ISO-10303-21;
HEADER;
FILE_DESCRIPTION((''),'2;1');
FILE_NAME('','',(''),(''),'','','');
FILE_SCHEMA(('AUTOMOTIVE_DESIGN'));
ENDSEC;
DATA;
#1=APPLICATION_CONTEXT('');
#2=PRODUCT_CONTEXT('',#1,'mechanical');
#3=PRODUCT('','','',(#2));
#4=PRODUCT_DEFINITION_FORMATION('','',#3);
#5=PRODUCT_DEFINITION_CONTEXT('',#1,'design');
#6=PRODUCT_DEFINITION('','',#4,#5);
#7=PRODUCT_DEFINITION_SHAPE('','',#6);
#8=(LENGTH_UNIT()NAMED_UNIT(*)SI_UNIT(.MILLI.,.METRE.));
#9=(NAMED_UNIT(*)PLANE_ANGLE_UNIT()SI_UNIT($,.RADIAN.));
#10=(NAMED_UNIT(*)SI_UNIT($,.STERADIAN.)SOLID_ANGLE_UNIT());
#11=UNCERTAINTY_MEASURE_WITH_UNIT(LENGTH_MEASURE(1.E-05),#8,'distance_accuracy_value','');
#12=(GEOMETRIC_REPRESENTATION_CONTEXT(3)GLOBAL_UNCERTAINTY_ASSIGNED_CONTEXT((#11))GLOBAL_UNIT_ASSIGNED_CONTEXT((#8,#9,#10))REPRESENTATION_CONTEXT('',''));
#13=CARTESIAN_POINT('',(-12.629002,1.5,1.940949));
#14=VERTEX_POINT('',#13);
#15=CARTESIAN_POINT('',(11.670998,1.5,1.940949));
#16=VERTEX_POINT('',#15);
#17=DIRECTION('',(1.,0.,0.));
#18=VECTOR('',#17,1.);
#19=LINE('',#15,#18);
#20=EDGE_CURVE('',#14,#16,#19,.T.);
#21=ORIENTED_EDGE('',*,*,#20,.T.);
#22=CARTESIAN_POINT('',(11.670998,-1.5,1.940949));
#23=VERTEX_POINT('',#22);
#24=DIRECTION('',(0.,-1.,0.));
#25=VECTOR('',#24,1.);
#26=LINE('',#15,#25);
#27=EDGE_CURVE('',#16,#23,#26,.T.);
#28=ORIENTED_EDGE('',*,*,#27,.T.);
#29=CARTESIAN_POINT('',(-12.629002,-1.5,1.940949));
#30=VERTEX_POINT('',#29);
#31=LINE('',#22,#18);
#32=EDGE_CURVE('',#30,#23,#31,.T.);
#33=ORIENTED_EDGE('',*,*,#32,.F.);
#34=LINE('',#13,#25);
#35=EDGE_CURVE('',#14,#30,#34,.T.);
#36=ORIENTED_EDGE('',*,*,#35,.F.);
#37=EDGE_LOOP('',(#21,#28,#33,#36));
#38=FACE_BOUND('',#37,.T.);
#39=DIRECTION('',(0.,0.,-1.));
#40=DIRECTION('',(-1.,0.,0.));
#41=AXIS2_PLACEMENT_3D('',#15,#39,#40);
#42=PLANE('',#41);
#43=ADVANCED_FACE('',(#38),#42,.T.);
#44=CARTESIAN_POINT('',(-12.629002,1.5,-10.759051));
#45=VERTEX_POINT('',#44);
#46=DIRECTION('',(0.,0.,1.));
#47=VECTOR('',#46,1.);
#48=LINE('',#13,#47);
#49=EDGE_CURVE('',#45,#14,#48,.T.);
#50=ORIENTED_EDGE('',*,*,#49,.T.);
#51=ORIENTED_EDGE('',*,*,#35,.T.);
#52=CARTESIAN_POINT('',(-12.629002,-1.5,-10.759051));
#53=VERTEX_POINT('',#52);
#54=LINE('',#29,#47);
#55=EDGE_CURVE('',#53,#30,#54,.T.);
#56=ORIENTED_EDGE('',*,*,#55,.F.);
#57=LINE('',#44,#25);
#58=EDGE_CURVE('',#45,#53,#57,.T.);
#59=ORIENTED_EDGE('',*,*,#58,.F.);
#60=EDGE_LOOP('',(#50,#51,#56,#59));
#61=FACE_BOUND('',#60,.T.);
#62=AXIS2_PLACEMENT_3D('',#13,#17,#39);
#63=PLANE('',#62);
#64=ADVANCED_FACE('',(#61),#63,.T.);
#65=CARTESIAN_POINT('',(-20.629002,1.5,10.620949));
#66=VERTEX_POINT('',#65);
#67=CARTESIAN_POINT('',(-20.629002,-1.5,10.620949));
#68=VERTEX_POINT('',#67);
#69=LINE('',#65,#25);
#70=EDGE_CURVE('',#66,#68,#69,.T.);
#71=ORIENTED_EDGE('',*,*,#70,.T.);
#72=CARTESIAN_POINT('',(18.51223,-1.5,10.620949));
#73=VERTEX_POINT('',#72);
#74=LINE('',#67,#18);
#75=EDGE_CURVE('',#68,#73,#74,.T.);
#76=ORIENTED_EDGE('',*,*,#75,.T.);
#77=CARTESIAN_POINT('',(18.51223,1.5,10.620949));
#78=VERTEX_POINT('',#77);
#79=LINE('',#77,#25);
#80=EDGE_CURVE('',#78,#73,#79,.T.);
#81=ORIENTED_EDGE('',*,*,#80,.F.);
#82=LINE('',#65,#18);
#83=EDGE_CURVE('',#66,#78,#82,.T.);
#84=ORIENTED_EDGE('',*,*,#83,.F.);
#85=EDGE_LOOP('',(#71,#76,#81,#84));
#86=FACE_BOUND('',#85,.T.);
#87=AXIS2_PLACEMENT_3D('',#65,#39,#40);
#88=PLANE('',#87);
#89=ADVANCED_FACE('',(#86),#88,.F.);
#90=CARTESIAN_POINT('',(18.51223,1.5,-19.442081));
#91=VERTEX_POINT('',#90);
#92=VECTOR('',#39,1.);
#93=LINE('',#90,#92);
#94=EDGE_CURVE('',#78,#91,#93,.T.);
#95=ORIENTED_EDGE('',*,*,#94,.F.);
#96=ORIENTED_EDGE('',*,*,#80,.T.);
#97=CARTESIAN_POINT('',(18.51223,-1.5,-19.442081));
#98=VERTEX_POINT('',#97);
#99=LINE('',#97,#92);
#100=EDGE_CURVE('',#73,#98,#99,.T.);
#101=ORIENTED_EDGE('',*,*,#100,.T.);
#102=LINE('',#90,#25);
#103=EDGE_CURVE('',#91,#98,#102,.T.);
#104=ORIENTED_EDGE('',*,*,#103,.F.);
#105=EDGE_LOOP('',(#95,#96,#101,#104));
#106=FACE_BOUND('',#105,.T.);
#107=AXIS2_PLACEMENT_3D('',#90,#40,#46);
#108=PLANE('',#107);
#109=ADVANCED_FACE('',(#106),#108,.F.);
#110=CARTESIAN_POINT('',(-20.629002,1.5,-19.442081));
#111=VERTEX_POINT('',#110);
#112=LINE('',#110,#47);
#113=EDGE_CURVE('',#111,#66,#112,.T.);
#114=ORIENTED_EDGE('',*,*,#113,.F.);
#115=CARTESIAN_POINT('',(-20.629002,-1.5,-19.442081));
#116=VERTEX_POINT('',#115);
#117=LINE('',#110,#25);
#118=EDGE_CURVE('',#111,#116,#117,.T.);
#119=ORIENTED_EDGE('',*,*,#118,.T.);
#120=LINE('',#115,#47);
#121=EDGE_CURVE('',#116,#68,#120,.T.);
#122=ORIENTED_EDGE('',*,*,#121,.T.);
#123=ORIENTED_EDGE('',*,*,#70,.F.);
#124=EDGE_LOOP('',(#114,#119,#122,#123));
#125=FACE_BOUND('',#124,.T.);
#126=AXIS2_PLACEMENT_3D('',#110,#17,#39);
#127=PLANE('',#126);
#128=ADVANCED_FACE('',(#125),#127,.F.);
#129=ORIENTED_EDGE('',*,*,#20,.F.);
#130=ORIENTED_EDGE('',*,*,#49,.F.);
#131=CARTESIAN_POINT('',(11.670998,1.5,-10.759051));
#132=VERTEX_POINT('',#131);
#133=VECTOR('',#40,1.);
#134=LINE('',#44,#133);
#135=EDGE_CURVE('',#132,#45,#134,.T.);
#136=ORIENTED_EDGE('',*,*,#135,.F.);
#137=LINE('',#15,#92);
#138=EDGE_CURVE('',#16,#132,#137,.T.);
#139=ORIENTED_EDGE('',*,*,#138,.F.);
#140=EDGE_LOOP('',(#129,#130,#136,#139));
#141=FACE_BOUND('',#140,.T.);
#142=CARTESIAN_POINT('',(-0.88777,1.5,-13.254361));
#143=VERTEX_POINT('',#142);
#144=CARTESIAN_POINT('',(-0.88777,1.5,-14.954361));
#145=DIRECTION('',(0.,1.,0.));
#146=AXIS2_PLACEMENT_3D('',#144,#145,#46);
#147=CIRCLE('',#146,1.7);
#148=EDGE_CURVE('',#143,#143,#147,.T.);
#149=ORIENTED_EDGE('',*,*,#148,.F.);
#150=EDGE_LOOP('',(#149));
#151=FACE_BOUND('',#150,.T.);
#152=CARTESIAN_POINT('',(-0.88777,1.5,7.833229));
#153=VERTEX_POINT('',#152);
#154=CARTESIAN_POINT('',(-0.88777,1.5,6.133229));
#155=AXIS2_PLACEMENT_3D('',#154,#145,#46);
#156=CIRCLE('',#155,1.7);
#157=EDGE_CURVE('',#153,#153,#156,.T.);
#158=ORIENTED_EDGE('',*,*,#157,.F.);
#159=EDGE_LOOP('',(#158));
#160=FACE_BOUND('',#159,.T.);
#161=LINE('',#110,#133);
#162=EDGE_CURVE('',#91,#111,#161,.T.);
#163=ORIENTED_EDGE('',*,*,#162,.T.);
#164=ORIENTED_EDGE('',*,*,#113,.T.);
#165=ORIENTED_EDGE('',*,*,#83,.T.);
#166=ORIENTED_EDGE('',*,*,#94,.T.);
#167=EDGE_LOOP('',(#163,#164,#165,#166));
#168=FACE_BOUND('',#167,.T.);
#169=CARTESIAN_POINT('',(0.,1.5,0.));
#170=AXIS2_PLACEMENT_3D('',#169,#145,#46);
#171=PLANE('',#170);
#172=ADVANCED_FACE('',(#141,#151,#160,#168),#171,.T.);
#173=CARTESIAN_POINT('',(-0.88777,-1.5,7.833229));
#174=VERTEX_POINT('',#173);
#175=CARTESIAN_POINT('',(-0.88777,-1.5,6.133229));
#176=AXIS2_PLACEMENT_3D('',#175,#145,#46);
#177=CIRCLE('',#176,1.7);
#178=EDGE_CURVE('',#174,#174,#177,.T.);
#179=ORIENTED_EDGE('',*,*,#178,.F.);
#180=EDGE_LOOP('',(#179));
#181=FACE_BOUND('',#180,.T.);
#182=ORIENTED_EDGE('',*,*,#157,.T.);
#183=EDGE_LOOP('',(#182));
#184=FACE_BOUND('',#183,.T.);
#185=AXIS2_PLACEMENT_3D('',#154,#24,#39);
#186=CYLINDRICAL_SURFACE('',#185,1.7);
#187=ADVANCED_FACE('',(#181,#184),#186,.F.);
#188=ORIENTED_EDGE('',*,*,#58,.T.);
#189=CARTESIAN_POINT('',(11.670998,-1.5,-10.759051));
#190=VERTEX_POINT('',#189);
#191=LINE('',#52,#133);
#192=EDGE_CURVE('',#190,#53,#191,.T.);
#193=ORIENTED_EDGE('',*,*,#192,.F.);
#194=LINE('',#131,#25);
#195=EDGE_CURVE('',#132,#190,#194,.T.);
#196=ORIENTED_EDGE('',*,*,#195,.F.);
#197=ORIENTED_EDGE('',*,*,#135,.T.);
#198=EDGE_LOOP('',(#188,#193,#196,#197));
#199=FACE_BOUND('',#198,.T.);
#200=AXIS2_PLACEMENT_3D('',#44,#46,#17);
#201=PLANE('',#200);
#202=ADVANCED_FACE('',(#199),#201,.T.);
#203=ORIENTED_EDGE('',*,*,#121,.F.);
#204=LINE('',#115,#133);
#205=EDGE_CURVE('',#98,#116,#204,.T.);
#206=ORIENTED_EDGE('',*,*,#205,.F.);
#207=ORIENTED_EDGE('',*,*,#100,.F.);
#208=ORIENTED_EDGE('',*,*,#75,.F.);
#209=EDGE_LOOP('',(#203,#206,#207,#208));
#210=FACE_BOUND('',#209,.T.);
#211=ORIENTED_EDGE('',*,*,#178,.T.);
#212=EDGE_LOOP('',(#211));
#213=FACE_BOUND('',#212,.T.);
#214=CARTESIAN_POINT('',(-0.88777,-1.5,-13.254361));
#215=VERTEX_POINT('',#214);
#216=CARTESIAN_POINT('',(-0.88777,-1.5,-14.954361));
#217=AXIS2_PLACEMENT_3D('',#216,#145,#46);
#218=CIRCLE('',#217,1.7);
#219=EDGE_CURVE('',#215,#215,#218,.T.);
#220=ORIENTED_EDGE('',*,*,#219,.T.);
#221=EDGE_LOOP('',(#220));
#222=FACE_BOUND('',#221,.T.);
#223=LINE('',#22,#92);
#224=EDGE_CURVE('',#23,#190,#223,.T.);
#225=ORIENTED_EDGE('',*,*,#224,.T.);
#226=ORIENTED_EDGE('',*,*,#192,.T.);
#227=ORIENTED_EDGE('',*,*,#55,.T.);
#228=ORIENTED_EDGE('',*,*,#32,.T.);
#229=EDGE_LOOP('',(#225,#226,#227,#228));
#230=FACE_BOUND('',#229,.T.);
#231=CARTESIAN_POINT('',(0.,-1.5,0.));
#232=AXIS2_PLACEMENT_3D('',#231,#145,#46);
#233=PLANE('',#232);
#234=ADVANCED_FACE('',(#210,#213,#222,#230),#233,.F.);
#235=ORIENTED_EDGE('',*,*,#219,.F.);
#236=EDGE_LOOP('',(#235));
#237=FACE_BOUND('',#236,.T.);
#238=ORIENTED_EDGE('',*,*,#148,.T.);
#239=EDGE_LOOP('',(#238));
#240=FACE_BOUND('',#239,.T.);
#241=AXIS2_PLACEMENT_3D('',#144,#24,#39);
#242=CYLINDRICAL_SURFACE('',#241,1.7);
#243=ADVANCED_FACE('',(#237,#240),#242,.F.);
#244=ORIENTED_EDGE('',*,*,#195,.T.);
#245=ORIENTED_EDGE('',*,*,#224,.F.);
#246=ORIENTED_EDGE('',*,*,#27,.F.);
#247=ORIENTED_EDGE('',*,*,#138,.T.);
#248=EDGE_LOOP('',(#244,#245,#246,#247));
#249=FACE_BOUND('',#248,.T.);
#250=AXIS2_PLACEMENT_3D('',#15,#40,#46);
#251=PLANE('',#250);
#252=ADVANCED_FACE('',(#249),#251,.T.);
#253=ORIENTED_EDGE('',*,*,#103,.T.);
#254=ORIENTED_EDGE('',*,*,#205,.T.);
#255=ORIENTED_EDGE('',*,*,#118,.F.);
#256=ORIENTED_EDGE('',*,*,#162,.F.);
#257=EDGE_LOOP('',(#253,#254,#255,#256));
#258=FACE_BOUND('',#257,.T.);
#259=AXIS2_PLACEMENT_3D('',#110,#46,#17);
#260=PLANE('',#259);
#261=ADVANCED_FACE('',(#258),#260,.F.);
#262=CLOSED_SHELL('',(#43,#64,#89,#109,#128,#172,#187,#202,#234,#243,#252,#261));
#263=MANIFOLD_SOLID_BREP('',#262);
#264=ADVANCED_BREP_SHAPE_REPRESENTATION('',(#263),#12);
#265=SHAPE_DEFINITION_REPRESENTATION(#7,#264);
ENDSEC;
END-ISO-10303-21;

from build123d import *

# Parameters (mm, degrees)
SKETCH2_W           = 39.14123172
SKETCH2_H           = 30.06303
SKETCH2_R           = 1.7
SKETCH2_W_2         = 24.3
SKETCH2_H_2         = 12.7
BOSS_EXTRUDE1_DEPTH = 1.5


with BuildPart() as part:
    # Sketch2 → Boss-Extrude1 (new, symmetric)
    with BuildSketch(Plane(origin=(0, 0, 0), x_dir=(1, 0, 0), z_dir=(0, 1, 0))):
        with Locations((-1.058385778, 4.410566346)):
            Rectangle(SKETCH2_W, SKETCH2_H)
        with Locations(Location((-0.887769918, 14.954361346, 0), (0, 0, 270))):
            Circle(SKETCH2_R, mode=Mode.SUBTRACT)
        with Locations(Location((-0.887769918, -6.133228654, 0), (0, 0, 270))):
            Circle(SKETCH2_R, mode=Mode.SUBTRACT)
        with Locations((-0.479001638, 4.409051346)):
            Rectangle(SKETCH2_W_2, SKETCH2_H_2, mode=Mode.SUBTRACT)
    extrude(amount=BOSS_EXTRUDE1_DEPTH, both=True)


solid = part.part
